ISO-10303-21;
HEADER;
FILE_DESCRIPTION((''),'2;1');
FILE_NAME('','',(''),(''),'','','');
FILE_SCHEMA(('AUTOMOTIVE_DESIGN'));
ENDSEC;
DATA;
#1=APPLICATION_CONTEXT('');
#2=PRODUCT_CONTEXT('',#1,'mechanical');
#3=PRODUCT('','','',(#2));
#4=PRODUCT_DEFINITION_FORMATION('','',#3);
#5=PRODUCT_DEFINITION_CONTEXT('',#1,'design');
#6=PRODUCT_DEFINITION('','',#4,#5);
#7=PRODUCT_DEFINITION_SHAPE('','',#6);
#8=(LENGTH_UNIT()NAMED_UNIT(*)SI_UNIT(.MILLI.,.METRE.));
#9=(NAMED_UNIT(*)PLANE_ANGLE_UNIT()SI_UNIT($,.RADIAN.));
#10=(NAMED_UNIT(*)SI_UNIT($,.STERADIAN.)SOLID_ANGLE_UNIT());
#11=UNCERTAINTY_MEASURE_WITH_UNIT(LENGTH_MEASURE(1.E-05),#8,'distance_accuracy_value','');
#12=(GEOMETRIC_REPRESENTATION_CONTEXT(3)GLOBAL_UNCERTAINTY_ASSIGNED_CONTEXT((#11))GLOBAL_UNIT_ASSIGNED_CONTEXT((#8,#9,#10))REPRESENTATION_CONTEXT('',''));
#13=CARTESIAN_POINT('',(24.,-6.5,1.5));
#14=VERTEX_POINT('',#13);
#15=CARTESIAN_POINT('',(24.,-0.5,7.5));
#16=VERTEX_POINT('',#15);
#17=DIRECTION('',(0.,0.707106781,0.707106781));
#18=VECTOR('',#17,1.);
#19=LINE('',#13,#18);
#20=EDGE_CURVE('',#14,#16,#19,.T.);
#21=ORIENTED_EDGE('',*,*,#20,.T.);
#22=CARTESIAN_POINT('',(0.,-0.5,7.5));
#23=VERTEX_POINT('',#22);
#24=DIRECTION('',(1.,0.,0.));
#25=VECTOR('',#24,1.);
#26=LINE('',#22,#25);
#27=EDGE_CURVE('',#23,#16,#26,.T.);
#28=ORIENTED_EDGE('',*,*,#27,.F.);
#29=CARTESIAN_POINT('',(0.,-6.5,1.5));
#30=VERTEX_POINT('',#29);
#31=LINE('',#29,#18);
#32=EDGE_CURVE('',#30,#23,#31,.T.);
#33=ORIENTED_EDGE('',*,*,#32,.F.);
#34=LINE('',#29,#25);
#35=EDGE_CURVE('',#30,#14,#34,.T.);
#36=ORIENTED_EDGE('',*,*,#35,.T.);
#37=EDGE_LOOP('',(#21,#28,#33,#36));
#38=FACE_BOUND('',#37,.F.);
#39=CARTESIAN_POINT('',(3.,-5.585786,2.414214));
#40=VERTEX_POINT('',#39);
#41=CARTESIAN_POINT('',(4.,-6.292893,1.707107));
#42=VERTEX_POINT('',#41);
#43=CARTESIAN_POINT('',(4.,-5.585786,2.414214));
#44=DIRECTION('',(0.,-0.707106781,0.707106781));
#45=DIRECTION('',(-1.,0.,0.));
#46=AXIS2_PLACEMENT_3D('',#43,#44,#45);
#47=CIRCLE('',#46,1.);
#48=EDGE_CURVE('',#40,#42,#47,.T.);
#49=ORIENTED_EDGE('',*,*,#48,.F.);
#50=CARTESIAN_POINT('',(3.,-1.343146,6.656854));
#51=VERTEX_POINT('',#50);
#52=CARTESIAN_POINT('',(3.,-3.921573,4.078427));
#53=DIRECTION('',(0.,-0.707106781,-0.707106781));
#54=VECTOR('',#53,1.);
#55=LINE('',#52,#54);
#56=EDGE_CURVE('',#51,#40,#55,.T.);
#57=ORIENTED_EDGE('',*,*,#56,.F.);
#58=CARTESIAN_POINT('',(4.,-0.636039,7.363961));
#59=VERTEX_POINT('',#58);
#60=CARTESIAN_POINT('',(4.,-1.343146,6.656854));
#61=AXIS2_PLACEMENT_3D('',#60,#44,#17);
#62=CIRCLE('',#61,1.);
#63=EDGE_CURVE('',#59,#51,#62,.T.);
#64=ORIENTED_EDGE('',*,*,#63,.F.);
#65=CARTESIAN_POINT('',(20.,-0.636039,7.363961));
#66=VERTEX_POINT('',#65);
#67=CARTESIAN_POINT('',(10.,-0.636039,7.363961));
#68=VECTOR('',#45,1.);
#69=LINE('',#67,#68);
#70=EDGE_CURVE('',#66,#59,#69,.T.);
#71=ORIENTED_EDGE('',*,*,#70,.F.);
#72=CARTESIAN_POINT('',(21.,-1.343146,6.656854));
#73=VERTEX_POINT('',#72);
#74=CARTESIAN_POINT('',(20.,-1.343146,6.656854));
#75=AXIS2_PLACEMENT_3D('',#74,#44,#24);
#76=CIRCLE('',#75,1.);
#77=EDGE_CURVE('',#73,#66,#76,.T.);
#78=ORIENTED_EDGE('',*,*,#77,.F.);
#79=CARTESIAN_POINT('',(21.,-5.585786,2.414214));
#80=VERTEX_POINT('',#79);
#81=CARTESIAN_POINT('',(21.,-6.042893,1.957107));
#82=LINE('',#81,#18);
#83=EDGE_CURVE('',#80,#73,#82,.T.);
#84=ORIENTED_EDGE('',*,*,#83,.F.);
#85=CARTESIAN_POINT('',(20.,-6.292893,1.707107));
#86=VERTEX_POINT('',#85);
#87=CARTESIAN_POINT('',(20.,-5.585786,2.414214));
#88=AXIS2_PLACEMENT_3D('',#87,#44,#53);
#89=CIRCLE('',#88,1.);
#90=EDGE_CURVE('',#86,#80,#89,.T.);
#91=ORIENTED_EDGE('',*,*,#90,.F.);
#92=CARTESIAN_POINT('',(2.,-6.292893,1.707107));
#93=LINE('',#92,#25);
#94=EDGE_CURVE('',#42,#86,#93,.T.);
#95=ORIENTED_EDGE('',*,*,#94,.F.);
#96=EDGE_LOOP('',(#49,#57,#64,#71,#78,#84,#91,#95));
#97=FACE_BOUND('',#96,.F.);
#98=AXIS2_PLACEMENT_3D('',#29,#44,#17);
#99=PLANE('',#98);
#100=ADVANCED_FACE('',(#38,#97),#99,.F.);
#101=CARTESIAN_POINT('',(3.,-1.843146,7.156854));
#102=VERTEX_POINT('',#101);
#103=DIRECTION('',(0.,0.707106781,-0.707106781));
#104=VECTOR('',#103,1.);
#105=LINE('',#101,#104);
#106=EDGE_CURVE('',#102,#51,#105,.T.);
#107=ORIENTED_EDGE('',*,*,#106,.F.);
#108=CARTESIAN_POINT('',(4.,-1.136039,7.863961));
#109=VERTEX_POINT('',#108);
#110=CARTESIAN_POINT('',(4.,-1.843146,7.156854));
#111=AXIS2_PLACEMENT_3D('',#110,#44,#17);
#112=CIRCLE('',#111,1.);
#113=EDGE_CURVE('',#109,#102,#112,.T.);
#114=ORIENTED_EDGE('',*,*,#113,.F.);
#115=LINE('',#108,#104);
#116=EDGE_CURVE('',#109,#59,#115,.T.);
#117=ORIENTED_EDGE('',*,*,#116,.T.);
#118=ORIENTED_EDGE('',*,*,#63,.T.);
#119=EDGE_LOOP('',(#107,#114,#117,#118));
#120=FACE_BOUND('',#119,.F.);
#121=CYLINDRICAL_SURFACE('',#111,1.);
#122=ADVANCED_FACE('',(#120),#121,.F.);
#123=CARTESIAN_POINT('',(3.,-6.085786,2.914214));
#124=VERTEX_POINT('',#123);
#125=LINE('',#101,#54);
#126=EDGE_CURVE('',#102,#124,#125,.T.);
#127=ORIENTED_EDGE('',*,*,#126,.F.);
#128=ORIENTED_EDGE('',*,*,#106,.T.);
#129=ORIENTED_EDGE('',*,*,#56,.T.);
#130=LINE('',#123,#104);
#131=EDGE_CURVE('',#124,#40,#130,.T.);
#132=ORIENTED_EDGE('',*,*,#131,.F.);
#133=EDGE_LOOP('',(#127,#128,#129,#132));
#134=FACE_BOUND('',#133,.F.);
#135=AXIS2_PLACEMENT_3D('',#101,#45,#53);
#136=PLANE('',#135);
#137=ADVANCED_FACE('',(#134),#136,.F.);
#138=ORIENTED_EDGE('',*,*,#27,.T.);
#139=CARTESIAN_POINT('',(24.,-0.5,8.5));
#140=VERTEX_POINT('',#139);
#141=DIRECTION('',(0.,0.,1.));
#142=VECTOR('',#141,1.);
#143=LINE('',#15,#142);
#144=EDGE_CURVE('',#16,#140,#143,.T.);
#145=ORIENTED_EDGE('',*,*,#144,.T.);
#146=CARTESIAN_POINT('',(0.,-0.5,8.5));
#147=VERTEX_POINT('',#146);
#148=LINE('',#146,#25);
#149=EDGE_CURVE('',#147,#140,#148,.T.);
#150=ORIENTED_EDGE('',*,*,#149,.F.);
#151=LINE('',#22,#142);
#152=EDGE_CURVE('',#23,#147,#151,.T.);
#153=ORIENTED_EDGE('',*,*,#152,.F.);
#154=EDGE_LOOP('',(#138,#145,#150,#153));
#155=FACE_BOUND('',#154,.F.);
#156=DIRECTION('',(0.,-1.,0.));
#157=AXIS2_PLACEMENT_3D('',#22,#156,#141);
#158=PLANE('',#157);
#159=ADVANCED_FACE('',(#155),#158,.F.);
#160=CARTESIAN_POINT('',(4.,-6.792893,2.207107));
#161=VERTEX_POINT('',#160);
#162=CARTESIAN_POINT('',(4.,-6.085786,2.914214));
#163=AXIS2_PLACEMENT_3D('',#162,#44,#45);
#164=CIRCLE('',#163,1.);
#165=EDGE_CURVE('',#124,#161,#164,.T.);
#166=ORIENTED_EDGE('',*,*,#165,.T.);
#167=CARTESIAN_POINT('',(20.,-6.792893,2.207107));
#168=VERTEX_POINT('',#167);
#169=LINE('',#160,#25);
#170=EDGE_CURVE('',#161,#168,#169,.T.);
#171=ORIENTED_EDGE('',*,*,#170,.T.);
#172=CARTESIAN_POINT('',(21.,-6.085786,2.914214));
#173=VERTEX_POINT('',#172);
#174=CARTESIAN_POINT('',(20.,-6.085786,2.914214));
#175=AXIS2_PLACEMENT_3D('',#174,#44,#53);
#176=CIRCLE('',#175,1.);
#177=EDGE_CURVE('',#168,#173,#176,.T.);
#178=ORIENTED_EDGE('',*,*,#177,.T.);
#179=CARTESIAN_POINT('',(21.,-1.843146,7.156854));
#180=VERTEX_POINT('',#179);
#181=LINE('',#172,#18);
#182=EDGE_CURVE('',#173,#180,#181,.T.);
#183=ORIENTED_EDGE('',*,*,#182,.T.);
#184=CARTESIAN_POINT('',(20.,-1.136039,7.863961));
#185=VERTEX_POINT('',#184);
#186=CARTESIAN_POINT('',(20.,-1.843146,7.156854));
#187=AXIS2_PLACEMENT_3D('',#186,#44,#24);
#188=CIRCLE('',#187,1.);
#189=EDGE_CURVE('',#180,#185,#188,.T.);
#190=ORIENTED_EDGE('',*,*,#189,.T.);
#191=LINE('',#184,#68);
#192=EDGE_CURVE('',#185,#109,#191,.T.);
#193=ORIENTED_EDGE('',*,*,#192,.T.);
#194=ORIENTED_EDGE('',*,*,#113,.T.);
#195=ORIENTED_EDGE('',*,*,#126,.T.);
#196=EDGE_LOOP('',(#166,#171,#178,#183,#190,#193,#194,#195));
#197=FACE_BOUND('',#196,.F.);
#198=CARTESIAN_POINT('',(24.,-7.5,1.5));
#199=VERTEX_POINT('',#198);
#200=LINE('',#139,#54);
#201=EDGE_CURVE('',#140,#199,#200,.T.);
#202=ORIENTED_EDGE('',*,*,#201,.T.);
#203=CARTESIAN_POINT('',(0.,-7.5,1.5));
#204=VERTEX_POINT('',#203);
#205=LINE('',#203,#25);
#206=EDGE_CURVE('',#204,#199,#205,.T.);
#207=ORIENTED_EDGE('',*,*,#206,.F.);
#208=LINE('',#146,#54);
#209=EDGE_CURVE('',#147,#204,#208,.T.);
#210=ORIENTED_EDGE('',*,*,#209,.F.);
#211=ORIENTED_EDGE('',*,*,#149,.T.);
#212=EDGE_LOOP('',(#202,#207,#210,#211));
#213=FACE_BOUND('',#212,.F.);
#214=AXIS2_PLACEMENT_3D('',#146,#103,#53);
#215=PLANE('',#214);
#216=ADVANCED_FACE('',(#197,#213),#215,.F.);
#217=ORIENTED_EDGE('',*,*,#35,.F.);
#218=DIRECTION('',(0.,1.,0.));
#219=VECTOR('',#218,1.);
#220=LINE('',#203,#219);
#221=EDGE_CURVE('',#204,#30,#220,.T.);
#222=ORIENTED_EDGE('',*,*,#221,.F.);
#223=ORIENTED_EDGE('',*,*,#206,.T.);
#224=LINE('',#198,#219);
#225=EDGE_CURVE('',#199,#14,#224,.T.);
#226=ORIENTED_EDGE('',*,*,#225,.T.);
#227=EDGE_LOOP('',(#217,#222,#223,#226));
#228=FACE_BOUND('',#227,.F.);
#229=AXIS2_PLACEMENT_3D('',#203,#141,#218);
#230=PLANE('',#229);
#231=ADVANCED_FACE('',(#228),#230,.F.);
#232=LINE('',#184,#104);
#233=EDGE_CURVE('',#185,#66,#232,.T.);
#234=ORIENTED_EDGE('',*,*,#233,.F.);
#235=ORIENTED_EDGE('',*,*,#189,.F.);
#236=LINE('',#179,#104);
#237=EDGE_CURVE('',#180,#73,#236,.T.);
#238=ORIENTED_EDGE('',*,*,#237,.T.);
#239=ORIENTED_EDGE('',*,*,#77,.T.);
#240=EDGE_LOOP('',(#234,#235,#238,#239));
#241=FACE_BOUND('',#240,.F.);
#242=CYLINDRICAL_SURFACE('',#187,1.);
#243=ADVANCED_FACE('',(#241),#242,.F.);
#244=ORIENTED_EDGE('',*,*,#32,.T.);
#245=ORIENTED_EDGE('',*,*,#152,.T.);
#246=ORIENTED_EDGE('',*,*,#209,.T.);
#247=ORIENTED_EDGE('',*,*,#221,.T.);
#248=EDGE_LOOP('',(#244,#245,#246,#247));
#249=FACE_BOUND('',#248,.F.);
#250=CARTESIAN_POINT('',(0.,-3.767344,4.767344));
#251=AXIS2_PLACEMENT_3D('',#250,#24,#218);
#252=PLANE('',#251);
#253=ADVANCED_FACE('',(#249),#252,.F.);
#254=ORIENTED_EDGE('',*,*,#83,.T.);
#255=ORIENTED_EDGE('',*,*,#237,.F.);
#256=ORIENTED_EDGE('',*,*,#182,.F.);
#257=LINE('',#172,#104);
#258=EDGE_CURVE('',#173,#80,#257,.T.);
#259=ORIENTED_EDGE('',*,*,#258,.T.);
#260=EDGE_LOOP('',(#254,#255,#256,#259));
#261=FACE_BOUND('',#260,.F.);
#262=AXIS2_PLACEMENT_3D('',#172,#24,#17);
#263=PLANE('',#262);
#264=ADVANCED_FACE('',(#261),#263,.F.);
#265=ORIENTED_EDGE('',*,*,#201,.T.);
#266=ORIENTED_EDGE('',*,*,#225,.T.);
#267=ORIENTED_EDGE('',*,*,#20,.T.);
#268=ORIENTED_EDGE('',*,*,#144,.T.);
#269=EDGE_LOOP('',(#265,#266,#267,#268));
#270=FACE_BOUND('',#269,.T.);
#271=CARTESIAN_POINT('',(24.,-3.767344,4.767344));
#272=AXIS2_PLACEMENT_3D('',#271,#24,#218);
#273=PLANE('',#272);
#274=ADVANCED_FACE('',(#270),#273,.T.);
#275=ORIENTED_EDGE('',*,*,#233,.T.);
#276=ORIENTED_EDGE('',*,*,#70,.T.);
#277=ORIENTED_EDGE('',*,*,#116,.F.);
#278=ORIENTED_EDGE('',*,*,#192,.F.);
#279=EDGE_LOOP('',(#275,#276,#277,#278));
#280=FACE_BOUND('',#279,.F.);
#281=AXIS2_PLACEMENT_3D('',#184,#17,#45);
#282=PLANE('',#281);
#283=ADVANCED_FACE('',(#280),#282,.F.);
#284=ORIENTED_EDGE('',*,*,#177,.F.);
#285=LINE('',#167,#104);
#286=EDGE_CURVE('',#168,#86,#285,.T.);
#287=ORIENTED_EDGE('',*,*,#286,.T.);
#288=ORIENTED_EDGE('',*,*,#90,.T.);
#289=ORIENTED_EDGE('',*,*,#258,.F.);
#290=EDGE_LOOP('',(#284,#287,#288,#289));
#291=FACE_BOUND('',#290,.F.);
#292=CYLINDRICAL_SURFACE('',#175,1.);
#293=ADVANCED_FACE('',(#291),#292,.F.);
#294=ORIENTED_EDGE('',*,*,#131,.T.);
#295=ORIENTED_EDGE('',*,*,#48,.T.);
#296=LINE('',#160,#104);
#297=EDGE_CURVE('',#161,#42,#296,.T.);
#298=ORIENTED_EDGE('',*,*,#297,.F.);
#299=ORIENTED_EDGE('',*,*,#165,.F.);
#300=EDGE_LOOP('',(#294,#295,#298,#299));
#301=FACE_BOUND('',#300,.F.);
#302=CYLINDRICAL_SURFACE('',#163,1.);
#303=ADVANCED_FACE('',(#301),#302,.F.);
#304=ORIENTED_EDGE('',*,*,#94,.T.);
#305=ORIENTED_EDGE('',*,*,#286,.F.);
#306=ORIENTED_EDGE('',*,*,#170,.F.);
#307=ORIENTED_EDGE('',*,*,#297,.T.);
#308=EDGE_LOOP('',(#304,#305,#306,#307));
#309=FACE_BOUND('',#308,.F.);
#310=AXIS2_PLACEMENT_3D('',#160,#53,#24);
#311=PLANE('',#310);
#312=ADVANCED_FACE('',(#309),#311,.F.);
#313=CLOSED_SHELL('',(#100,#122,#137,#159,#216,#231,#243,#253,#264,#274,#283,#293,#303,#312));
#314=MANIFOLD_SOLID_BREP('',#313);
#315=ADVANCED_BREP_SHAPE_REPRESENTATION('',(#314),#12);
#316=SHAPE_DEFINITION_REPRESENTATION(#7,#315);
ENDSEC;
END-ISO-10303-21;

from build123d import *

# Parameters (mm, degrees)
F1_DEPTH = 24
F5_DEPTH = 25


with BuildPart() as f1:
    # F0 (on Right) → F1 (new body)
    with BuildSketch(Plane.YZ):
        Polygon((-6.5, 1.5), (-0.5, 7.5), (-0.5, 8.5), (-7.5, 1.5), align=None)
    extrude(amount=F1_DEPTH)

    # F4 (on offset) → F5 (cut)
    with BuildSketch(Plane(origin=(0, -4.5, 4.5), x_dir=(1, 0, 0), z_dir=(0, -0.7071067812, 0.7071067812))):
        with BuildLine():
            ThreePointArc((21, 3.7573593129), (20.7071067812, 4.4644660941), (20, 4.7573593129))
            Line((20, 4.7573593129), (4, 4.7573593129))
            ThreePointArc((4, 4.7573593129), (3.2928932188, 4.4644660941), (3, 3.7573593129))
            Line((3, 3.7573593129), (3, -2.2426406871))
            ThreePointArc((3, -2.2426406871), (3.2928932188, -2.9497474683), (4, -3.2426406871))
            Line((4, -3.2426406871), (20, -3.2426406871))
            ThreePointArc((20, -3.2426406871), (20.7071067812, -2.9497474683), (21, -2.2426406871))
            Line((21, -2.2426406871), (21, 3.7573593129))
        make_face()
    extrude(amount=-F5_DEPTH, mode=Mode.SUBTRACT)


solid = f1.part
